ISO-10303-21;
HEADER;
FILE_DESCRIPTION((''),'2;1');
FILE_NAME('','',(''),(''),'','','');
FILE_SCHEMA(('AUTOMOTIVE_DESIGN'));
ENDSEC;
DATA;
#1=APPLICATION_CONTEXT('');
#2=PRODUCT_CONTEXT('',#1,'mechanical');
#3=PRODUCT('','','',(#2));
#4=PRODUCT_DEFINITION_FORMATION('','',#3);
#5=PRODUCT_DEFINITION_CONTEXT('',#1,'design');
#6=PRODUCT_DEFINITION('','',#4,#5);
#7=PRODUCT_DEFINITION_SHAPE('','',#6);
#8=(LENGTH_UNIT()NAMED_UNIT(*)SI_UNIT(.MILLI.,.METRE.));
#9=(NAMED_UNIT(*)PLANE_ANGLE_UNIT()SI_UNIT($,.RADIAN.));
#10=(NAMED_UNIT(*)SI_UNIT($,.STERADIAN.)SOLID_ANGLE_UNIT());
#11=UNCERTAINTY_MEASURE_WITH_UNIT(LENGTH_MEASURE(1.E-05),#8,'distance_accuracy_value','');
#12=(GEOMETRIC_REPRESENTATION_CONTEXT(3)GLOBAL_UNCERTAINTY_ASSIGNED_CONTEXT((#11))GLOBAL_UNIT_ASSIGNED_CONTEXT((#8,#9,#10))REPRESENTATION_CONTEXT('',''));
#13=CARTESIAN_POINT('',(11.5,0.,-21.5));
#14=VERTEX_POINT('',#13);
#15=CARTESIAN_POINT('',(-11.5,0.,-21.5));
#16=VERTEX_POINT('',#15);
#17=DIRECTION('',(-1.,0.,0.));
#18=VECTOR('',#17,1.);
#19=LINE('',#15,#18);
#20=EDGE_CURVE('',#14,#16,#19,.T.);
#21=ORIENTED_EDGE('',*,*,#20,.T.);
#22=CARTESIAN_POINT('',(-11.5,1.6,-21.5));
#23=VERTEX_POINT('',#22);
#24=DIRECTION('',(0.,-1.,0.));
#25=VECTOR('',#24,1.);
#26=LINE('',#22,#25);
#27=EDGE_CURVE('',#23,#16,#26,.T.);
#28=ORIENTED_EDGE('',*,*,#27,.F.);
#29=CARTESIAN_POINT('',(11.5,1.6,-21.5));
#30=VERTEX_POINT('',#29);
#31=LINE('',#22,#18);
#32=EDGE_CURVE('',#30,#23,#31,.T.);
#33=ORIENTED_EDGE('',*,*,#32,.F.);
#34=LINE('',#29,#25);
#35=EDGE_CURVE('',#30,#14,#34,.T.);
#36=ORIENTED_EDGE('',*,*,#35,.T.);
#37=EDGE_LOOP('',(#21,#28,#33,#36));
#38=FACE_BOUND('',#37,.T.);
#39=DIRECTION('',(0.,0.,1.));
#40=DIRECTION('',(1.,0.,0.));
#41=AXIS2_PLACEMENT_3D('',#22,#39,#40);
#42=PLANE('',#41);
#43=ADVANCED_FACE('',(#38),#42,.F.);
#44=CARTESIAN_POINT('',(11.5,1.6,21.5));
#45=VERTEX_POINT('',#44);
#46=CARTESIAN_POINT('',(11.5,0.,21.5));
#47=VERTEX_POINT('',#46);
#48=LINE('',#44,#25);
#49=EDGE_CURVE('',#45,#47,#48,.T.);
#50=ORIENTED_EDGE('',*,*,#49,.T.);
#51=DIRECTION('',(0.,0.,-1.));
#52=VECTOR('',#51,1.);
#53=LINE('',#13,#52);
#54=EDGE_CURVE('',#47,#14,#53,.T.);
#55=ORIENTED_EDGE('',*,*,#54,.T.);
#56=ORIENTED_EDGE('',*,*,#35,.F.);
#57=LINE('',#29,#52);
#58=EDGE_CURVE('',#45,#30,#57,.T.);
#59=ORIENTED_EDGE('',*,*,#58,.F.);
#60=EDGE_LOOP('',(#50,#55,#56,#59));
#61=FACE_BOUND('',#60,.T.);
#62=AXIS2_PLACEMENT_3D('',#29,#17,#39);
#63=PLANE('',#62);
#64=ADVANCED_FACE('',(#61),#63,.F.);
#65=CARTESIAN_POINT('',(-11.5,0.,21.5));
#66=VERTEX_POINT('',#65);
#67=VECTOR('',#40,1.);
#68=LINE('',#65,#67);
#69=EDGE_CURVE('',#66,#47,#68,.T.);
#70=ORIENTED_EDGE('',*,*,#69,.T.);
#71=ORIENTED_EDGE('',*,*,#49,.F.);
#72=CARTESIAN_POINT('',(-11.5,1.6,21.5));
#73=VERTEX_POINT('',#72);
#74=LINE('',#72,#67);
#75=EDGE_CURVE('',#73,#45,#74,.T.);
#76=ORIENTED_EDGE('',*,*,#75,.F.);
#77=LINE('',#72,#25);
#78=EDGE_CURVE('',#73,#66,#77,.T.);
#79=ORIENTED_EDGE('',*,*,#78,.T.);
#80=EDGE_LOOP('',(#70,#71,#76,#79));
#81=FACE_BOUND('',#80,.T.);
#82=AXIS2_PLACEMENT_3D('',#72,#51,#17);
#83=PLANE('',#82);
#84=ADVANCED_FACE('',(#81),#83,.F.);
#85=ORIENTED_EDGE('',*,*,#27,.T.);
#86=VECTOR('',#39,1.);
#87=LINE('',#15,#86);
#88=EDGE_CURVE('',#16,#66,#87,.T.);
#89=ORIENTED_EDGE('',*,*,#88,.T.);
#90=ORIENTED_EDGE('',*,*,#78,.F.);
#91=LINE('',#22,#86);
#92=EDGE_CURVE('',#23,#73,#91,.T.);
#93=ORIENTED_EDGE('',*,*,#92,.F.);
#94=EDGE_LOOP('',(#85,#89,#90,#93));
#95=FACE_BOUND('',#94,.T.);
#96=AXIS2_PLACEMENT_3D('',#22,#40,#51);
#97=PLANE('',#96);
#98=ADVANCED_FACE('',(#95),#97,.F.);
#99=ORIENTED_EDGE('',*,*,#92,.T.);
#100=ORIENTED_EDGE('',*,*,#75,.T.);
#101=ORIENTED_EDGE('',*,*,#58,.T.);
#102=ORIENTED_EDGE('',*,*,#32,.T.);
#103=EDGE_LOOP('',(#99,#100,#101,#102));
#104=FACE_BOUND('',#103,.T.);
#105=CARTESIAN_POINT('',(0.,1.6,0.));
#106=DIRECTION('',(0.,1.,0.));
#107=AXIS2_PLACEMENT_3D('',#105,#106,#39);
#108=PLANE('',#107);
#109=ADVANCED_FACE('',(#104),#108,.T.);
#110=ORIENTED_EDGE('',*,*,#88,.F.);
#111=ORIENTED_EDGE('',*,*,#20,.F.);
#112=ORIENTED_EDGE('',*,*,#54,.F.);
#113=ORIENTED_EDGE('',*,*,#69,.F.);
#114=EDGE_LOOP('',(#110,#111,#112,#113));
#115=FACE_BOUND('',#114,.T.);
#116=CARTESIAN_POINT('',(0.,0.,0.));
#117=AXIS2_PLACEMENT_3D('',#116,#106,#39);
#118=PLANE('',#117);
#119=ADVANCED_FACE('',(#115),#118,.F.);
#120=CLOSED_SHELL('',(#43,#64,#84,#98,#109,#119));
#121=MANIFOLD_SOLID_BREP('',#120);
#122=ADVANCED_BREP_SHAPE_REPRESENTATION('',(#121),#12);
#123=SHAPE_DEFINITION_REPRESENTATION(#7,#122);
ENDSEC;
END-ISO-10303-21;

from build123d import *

# Parameters (mm, degrees)
SKETCH_1_W      = 23
SKETCH_1_H      = 43
EXTRUDE_1_DEPTH = 1.6


with BuildPart() as part:
    # 草图1 → 凸台-拉伸1 (new body)
    with BuildSketch(Plane(origin=(0, 0, 0), x_dir=(1, 0, 0), z_dir=(0, 1, 0))):
        Rectangle(SKETCH_1_W, SKETCH_1_H)
    extrude(amount=EXTRUDE_1_DEPTH)


solid = part.part
